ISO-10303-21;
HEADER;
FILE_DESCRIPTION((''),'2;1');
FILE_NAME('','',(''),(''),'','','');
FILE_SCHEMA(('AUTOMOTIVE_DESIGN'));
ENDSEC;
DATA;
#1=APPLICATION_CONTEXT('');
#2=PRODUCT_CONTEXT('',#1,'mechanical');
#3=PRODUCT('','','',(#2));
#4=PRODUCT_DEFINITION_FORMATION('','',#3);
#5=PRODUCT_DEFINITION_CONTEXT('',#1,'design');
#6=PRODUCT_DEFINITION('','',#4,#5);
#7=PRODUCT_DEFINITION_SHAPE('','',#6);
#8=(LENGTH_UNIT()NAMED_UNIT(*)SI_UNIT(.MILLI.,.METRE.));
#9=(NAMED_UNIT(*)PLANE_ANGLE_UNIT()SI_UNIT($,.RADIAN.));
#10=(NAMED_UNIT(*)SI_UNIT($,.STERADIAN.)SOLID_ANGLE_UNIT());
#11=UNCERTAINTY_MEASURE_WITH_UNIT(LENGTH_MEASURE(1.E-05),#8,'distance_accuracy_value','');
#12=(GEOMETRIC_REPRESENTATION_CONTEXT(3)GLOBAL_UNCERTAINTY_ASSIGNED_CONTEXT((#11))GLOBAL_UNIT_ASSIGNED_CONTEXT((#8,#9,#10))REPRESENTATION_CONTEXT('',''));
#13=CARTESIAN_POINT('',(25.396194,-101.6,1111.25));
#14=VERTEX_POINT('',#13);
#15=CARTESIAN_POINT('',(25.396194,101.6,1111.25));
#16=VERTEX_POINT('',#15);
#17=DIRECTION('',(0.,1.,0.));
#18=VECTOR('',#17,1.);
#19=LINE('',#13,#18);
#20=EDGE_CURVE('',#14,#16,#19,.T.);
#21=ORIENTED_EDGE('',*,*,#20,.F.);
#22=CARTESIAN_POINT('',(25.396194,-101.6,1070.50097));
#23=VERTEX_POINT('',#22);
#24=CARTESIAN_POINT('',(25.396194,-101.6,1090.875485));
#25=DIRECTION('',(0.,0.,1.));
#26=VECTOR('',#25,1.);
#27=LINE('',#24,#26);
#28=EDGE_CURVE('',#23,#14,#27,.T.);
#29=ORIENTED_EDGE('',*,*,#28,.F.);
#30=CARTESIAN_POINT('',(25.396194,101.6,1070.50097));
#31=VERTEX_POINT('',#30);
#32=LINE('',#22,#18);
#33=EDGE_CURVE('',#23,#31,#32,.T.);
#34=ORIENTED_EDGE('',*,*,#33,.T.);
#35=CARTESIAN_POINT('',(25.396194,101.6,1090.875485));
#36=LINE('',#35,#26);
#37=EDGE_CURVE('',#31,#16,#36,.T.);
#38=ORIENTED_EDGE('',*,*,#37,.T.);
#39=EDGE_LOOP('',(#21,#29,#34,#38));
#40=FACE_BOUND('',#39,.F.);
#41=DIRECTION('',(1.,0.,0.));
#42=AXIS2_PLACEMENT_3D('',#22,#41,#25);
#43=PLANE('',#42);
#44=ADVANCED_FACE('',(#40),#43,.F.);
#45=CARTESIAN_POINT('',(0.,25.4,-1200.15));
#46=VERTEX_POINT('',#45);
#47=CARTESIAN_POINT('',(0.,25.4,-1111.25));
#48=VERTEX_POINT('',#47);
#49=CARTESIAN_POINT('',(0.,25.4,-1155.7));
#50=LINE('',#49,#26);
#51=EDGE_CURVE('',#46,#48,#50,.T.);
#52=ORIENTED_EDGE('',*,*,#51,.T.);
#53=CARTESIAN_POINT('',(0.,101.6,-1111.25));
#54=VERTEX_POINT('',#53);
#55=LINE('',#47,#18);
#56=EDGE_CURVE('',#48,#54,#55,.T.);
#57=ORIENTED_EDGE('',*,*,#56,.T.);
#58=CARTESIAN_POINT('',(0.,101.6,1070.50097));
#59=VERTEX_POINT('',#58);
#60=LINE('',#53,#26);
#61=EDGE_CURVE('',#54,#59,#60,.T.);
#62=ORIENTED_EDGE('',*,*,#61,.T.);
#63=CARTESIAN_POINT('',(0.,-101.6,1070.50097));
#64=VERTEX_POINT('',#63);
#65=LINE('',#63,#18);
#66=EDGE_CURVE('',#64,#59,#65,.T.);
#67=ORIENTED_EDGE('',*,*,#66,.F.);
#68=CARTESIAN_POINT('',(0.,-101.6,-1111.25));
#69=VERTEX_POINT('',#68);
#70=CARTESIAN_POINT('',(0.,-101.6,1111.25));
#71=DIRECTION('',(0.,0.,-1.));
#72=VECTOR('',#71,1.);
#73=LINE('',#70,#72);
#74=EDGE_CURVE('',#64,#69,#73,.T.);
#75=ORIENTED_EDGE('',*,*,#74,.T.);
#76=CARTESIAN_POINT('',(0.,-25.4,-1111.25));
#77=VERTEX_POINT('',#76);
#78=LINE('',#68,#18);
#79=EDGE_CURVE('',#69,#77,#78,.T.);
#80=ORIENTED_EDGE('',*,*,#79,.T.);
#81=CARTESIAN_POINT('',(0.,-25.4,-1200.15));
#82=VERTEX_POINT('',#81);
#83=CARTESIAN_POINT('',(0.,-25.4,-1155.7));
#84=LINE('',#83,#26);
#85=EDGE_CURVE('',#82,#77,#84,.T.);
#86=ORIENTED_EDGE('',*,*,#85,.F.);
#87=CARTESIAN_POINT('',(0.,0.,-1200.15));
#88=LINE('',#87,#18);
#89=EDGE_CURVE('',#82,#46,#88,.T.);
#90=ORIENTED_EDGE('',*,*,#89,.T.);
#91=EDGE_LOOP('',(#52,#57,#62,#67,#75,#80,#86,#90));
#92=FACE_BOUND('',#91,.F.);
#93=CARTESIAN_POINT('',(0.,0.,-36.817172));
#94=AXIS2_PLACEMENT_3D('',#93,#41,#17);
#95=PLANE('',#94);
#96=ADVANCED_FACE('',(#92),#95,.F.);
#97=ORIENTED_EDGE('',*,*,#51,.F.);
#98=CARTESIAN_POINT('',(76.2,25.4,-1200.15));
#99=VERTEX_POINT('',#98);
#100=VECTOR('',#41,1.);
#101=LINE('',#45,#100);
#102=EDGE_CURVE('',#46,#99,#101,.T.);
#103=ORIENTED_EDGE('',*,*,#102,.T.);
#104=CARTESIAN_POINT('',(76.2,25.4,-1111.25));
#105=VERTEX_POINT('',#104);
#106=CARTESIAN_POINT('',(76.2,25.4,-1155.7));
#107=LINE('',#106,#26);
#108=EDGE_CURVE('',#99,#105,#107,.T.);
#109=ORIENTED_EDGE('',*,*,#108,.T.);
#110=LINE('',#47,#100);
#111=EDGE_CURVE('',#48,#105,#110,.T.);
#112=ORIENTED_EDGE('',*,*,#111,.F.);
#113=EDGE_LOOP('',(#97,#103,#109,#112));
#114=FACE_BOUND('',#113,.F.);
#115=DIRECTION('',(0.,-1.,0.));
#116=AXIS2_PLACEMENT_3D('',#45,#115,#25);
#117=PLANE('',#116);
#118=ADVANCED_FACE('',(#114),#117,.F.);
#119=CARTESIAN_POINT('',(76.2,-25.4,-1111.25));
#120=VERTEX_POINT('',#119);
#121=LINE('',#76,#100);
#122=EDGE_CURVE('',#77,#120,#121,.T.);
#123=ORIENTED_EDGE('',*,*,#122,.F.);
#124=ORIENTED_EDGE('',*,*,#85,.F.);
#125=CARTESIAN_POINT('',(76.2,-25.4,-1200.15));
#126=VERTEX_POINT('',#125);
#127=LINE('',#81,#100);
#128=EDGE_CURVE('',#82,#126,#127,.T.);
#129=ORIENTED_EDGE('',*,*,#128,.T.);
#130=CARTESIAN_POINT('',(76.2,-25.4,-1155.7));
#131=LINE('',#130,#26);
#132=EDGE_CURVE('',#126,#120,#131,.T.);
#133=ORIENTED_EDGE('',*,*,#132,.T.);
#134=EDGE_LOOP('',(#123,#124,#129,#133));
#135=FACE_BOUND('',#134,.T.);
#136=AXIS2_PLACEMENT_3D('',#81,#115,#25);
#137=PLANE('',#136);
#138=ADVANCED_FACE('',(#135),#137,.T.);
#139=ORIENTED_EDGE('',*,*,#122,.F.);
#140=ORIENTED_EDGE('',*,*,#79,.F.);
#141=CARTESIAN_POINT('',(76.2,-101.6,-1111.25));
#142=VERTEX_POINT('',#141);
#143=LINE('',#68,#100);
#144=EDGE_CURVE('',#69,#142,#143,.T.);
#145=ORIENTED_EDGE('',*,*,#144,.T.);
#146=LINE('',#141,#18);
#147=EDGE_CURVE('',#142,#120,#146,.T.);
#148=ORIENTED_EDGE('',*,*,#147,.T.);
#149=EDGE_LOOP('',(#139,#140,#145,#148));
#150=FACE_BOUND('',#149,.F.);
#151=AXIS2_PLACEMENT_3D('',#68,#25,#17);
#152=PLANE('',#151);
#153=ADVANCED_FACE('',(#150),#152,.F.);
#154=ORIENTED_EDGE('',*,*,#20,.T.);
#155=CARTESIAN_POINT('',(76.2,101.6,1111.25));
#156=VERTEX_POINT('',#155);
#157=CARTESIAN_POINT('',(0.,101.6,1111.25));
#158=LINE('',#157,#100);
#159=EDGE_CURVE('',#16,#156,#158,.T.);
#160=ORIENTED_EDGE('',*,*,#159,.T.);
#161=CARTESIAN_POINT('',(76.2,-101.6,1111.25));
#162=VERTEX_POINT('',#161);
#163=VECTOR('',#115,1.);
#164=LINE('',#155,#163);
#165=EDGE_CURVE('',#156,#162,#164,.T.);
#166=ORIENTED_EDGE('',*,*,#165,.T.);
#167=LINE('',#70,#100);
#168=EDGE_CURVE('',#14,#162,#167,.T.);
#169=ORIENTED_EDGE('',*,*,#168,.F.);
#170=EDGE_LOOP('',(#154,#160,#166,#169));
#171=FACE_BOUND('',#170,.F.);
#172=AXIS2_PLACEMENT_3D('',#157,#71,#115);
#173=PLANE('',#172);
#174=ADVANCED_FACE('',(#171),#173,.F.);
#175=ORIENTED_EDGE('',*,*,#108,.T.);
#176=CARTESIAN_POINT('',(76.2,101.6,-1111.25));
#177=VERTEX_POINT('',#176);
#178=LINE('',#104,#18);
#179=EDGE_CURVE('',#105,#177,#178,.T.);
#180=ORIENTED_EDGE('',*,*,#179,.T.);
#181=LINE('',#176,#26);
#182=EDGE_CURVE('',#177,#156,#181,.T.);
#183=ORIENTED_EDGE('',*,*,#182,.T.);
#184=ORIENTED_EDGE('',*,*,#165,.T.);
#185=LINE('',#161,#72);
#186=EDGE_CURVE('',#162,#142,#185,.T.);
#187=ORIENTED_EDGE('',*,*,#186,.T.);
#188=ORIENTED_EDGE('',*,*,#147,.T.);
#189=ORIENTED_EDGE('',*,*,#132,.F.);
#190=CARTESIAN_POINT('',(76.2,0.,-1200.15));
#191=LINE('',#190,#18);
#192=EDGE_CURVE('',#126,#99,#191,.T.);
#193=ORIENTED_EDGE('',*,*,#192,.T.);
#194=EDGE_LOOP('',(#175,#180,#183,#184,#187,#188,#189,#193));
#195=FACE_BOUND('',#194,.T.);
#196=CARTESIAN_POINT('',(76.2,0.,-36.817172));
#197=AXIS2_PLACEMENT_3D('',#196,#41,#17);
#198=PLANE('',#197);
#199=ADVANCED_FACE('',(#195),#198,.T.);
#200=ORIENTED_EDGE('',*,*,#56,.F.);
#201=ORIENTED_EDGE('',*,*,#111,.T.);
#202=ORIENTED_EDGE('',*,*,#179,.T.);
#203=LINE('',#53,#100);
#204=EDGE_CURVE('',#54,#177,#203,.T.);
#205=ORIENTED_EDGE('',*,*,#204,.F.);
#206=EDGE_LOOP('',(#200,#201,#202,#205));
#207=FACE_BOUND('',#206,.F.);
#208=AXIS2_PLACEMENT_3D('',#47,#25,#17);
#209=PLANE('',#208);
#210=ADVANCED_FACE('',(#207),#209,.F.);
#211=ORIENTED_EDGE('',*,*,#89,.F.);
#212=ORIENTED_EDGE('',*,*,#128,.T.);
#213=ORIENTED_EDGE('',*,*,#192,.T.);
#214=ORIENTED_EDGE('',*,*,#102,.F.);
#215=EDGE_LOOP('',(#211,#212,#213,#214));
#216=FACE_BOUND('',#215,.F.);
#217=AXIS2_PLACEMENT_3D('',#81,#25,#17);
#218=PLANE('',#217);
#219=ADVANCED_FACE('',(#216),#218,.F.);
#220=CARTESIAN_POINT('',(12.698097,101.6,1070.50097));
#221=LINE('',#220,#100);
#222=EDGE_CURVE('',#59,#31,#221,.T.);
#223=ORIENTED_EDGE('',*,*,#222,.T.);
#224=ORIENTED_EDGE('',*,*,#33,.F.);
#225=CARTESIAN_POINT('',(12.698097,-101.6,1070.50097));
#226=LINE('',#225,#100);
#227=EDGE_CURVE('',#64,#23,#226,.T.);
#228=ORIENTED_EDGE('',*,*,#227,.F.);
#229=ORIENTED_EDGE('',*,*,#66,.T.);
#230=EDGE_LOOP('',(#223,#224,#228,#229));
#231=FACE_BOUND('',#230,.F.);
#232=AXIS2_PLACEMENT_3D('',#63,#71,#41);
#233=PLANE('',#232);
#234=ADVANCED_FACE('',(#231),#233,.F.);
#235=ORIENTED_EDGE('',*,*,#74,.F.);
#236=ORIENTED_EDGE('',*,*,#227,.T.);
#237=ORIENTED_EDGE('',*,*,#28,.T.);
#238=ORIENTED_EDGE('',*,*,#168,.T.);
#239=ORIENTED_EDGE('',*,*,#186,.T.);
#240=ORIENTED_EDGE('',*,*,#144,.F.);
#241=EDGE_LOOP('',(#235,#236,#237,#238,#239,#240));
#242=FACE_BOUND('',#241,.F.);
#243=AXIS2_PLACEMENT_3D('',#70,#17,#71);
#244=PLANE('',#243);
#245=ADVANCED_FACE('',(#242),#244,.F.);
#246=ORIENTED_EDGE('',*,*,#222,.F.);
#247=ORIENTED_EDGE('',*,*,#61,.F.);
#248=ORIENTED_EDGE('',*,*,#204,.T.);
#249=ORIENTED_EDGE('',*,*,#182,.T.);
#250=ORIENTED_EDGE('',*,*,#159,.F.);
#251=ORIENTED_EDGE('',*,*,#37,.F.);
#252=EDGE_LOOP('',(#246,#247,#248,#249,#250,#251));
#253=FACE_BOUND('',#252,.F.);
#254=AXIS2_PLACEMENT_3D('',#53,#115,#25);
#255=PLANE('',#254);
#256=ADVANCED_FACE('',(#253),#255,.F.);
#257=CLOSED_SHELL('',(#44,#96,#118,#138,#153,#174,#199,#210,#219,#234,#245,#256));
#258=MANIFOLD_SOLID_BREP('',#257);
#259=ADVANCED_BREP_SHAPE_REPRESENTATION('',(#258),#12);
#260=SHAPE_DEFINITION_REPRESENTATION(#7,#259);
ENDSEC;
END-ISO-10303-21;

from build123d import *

# Parameters (mm, degrees)
F0_W     = 50.8
F0_H     = 88.9
F1_DEPTH = 76.2
F2_W     = 25.396194309
F2_H     = 40.7490301132
F3_DEPTH = 203.2


with BuildPart() as f1:
    # F0 (on Right) → F1 (new body)
    with BuildSketch(Plane.YZ):
        Polygon((101.6, -1111.25), (101.6, 1111.25), (-101.6, 1111.25), (-101.6, -1111.25), (-25.4, -1111.25), (-25.4, -1022.35), (25.4, -1022.35), (25.4, -1111.25), align=None)
        with Locations((0, -1155.7)):
            Rectangle(F0_W, F0_H)
        with Locations((0, -1066.8)):
            Rectangle(F0_W, F0_H)
    extrude(amount=F1_DEPTH)

    # F2 (on face) → F3 (cut)
    with BuildSketch(Plane.XZ.offset(101.6)):
        with Locations((12.6980971545, 1090.8754849434)):
            Rectangle(F2_W, F2_H)
    extrude(amount=-F3_DEPTH, mode=Mode.SUBTRACT)


solid = f1.part
